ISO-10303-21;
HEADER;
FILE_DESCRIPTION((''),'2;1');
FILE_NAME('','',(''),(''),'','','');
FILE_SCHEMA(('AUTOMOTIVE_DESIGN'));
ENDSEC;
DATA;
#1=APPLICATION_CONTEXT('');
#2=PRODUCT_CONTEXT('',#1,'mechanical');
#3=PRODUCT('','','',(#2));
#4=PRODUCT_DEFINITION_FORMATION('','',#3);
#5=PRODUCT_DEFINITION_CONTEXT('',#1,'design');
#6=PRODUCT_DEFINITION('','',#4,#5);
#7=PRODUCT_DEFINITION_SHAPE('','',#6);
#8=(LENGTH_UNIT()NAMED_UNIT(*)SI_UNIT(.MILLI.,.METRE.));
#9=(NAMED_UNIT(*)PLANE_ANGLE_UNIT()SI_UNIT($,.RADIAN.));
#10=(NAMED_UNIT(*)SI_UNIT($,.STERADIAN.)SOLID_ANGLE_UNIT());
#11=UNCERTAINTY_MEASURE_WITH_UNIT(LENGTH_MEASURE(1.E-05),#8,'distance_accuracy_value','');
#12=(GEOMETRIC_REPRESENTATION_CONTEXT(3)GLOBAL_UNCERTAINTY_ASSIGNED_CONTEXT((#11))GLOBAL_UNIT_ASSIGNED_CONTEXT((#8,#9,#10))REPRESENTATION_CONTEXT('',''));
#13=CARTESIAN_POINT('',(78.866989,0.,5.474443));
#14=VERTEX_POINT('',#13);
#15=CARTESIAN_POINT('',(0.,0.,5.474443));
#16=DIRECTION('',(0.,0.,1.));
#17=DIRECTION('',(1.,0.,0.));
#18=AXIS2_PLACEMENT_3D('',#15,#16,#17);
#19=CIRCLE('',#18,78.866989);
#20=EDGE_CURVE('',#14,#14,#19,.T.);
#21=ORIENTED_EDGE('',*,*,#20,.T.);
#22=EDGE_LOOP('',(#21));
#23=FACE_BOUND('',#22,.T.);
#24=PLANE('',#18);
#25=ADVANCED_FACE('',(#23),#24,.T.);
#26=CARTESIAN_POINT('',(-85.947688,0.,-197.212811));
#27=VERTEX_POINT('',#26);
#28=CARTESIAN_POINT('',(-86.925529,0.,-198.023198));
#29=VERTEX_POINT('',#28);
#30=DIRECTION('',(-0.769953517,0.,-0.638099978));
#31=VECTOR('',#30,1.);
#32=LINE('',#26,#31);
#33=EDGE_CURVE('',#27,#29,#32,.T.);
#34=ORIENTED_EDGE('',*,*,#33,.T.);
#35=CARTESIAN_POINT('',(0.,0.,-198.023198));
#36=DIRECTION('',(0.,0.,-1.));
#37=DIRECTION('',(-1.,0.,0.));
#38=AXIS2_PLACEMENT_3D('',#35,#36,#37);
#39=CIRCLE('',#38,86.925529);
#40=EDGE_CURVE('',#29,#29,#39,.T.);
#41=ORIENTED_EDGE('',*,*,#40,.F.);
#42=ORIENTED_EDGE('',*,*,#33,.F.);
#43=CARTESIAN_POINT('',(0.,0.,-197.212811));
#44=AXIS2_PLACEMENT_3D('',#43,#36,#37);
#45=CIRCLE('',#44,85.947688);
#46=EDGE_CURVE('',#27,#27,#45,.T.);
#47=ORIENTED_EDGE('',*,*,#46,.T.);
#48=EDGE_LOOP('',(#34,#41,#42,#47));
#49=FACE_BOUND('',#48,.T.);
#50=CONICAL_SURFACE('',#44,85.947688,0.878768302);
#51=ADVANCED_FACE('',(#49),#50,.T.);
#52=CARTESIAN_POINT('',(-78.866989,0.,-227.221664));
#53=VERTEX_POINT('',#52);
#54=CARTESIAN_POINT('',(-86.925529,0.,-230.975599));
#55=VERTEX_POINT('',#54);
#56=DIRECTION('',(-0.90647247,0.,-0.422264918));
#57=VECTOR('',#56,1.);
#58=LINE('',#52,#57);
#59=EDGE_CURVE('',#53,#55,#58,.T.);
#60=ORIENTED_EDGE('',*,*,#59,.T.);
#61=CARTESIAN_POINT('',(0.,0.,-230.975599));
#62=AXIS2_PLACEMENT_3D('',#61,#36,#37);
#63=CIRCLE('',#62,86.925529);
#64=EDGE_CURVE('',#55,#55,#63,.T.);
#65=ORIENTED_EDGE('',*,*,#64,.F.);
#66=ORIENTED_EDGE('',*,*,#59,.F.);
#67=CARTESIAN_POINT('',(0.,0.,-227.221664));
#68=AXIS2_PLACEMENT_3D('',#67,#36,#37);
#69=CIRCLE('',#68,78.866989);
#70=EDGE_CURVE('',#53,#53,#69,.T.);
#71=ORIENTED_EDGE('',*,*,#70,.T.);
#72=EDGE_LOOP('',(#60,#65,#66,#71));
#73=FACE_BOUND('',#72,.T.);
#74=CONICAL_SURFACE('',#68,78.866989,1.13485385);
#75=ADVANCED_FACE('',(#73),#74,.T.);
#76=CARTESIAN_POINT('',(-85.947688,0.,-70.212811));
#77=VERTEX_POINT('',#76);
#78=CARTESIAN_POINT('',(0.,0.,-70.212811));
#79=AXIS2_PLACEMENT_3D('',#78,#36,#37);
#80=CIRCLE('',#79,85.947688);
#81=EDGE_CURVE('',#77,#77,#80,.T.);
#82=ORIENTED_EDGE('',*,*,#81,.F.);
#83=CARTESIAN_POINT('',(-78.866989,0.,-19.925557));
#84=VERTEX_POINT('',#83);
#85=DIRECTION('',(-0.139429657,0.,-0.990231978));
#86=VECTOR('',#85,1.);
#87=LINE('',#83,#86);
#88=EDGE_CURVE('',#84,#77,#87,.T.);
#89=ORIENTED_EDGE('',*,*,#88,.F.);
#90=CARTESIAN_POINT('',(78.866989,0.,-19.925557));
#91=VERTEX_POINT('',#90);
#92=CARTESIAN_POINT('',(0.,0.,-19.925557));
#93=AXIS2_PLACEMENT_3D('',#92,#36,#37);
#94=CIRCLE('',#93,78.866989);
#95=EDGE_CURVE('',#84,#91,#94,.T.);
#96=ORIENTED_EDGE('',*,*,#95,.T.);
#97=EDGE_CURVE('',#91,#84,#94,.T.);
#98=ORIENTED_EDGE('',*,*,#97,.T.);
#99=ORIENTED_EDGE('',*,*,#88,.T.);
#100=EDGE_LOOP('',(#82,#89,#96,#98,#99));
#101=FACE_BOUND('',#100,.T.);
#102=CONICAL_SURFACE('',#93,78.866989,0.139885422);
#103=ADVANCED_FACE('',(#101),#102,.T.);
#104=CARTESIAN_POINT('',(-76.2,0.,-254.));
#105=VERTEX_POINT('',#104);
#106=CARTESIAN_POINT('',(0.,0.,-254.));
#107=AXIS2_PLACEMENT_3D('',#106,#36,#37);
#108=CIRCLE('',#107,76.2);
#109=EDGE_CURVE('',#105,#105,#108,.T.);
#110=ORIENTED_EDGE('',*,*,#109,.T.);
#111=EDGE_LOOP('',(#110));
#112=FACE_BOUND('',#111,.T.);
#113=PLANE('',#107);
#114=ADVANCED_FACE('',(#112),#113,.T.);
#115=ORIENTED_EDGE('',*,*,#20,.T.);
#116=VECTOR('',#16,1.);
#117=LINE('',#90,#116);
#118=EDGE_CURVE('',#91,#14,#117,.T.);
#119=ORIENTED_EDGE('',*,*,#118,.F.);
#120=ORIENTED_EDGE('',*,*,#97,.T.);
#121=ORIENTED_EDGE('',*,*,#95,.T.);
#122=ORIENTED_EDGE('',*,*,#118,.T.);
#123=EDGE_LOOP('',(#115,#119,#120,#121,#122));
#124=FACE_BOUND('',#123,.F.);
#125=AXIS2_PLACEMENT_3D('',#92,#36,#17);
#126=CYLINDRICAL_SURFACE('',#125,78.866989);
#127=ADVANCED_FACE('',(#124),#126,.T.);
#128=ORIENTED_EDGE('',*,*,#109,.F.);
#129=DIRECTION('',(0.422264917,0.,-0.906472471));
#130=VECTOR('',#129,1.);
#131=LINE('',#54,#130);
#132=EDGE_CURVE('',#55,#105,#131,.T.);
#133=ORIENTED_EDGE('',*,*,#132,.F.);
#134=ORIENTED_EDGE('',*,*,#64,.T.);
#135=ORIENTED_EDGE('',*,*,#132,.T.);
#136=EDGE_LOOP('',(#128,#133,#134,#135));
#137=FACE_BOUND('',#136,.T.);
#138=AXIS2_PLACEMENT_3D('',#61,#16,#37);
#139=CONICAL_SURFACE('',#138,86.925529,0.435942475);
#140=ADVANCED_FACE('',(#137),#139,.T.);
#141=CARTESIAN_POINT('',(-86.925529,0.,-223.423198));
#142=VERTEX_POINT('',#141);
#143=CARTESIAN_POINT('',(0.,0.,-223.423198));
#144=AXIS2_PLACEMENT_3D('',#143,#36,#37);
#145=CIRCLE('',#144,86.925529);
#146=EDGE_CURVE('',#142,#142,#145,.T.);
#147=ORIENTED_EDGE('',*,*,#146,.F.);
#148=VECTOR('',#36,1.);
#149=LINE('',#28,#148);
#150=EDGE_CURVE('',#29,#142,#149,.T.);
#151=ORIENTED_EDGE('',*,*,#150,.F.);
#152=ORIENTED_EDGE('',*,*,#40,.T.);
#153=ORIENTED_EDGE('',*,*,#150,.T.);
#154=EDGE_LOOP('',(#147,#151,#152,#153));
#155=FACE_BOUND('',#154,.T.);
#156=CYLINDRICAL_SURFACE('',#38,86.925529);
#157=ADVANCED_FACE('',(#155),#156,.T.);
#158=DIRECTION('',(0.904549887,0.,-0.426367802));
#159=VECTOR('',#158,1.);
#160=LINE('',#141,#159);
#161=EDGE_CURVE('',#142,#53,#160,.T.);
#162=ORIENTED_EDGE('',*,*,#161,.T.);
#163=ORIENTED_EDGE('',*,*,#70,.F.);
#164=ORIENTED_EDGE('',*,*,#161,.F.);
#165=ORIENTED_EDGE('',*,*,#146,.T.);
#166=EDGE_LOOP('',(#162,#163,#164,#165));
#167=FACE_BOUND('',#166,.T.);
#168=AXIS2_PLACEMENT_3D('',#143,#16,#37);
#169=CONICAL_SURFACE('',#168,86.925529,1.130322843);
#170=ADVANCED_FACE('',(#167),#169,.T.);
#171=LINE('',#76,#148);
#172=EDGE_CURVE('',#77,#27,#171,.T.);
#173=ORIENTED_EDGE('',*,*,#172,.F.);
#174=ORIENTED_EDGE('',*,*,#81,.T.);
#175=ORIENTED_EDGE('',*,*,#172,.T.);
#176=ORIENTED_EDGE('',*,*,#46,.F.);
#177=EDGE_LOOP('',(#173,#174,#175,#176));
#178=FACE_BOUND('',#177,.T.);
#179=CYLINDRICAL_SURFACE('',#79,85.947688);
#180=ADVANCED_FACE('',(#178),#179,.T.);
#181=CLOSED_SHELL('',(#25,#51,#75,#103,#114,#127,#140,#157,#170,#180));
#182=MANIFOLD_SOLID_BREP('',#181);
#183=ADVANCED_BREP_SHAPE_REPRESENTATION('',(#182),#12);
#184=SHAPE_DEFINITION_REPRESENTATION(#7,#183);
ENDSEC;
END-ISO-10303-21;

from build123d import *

# Parameters (mm, degrees)
F1_FACE_R = 78.866989
F2_DEPTH  = 25.4


with BuildPart() as f1:
    # F0 (on Front) → F1 (revolve)
    with BuildSketch(Plane.XZ):
        Polygon((0, -254), (0, -19.925557), (-78.866989, -19.925557), (-85.947688, -70.212811), (-85.947688, -197.212811), (-86.925529, -198.023198), (-86.925529, -223.423198), (-78.866989, -227.221664), (-86.925529, -230.975599), (-76.2, -254), align=None)
    revolve(axis=Axis((0, 0, -127), (0, 0, -1)))

    # F1_face (on face) → F2 (join)
    with BuildSketch(Plane.XY.offset(-19.925557)):
        Circle(F1_FACE_R)
    extrude(amount=F2_DEPTH)


solid = f1.part
